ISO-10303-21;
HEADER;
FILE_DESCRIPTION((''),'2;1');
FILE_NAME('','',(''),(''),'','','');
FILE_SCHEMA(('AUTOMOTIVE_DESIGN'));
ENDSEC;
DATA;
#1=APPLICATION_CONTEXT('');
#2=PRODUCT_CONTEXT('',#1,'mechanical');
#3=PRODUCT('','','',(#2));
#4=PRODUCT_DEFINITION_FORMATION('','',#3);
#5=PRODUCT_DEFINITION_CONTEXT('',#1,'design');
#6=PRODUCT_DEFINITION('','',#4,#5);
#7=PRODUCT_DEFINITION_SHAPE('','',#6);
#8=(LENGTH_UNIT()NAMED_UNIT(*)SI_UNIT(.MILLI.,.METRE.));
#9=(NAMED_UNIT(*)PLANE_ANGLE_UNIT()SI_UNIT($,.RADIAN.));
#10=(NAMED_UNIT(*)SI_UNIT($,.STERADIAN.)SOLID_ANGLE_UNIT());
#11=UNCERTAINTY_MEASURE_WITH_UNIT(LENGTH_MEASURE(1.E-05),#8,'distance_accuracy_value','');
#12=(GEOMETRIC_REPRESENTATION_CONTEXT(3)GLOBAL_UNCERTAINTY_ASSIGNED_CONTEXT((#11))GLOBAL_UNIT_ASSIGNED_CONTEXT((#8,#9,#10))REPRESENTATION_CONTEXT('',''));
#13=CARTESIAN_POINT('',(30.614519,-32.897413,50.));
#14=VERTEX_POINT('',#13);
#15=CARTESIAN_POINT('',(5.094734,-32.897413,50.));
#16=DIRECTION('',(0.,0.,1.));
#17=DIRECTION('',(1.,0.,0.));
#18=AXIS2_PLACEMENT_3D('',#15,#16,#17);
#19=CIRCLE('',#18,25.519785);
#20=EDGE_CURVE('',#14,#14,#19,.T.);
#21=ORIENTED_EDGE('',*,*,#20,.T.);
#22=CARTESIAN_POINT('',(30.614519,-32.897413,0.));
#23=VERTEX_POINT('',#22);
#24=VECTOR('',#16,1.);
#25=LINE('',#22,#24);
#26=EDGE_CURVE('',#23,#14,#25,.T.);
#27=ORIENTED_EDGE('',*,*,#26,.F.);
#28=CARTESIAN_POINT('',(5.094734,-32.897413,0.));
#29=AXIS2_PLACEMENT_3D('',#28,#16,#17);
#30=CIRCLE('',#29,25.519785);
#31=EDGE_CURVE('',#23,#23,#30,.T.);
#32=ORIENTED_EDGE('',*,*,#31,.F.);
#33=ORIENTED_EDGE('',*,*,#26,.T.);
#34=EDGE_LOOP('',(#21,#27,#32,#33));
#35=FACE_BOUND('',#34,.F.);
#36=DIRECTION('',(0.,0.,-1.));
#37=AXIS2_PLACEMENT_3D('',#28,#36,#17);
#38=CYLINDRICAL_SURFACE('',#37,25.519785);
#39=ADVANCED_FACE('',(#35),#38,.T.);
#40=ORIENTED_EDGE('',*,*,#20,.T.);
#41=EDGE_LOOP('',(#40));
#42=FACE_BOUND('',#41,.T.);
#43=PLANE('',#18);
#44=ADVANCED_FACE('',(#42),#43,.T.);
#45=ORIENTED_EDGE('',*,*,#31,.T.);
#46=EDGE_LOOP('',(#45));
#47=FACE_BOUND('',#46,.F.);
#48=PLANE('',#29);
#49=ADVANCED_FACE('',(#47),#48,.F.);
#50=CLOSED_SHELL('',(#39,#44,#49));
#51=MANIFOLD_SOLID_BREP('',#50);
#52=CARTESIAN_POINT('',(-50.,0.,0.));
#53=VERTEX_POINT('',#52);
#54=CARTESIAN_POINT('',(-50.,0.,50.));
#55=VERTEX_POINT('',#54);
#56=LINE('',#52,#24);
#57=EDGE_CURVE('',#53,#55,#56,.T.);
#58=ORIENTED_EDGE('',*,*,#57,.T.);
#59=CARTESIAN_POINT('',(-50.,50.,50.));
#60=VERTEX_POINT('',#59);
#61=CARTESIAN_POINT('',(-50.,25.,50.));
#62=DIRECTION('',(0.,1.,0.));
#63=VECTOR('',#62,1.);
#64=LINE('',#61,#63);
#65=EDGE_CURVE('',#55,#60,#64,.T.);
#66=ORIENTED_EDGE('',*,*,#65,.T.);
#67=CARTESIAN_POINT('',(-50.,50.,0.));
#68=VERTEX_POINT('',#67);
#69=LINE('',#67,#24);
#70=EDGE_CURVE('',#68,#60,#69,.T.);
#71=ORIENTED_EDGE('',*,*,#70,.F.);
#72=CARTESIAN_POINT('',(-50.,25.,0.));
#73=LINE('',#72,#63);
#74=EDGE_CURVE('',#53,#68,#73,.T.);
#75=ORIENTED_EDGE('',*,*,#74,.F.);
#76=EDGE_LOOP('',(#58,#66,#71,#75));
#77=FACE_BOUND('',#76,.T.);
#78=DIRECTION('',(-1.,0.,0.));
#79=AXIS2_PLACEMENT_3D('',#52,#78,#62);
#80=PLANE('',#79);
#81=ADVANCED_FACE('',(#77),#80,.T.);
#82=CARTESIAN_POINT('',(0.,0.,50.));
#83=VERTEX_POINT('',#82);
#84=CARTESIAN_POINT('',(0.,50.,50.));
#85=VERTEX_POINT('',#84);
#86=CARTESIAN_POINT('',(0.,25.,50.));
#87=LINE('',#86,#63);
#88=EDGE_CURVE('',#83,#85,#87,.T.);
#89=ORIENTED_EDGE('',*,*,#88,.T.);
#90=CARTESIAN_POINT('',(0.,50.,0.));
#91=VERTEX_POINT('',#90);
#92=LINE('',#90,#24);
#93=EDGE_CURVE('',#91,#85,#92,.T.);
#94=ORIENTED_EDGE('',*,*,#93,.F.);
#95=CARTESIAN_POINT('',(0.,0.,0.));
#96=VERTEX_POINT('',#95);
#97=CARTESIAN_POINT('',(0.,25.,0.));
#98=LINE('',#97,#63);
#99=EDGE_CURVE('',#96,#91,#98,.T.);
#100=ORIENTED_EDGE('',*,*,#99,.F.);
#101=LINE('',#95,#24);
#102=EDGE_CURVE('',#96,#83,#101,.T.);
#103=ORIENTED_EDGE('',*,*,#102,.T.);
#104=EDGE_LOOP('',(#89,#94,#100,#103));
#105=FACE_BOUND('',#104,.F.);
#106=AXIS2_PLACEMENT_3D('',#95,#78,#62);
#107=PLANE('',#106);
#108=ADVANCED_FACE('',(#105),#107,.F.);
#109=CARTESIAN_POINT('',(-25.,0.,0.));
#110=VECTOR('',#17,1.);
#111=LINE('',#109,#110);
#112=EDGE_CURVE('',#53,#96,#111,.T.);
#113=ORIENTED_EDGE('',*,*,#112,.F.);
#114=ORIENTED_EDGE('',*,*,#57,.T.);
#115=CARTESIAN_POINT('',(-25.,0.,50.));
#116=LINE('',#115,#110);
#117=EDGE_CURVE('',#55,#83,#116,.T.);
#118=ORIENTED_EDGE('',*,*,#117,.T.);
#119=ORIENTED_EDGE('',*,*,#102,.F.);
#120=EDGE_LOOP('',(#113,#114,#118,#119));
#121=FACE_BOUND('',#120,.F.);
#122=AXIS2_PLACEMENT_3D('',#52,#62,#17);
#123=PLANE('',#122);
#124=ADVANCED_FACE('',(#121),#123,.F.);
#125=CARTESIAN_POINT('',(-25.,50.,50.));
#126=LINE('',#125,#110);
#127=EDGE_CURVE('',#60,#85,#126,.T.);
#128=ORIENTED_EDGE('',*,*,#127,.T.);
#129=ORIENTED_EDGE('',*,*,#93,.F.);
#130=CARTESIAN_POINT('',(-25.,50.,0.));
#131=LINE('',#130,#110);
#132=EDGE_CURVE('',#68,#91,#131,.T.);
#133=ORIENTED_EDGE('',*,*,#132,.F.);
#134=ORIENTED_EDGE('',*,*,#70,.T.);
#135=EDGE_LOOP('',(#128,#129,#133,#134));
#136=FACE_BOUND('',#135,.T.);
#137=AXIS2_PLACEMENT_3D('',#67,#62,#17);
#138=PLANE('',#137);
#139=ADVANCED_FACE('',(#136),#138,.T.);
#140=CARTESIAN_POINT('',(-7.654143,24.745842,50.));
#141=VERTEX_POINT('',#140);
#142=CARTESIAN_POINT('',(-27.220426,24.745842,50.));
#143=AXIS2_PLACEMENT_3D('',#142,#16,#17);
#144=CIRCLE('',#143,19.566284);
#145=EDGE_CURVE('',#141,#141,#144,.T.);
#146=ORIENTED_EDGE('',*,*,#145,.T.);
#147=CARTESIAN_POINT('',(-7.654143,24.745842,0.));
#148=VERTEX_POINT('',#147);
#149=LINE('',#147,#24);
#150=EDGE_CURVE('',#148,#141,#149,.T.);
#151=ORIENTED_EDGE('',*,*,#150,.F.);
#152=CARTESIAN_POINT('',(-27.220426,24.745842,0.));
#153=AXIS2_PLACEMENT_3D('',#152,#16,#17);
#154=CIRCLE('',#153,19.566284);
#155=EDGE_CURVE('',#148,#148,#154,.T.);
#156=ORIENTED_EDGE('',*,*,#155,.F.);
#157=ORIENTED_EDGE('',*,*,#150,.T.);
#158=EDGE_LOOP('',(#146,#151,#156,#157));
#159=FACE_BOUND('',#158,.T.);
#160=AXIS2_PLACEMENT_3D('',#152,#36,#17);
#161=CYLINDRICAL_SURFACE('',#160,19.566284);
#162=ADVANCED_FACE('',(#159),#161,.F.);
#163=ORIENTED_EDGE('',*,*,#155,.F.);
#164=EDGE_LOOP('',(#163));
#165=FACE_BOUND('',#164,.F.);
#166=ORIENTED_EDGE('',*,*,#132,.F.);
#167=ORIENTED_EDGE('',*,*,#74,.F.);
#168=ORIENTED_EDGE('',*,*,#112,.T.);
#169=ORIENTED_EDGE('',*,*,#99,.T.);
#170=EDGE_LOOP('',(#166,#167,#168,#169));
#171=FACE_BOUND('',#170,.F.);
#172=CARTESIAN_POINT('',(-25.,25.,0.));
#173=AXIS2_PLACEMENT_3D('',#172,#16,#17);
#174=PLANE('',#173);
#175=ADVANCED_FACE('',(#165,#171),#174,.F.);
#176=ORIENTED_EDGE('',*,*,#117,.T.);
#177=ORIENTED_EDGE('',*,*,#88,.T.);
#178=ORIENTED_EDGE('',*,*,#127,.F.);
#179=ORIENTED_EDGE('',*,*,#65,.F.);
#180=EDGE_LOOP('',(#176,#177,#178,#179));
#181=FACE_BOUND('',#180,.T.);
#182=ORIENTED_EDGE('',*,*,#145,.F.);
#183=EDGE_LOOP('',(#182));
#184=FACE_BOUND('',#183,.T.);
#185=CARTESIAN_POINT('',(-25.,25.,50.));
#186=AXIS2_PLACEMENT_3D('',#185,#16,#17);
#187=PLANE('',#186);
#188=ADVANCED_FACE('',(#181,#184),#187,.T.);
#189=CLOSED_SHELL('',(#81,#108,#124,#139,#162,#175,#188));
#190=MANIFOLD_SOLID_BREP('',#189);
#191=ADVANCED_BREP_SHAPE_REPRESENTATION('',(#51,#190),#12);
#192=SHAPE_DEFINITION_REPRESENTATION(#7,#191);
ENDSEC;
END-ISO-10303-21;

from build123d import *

# Parameters (mm, degrees)
F0_W     = 50
F0_H     = 50
F1_DEPTH = 50
F2_R     = 25.5197850682
F3_DEPTH = 50
F4_R     = 14.9130073931
F5_DEPTH = 50
F6_R     = 19.5662835943
F7_DEPTH = 50


with BuildPart() as f1:
    # F0 (on Top) → F1 (new body)
    with BuildSketch(Plane.XY):
        with Locations((-25, 25)):
            Rectangle(F0_W, F0_H)
    extrude(amount=F1_DEPTH)

    # F4 (on Top) → F5 (cut)
    with BuildSketch(Plane.XY):
        with Locations((-28.0938092619, 25.0369701535)):
            Circle(F4_R)
    extrude(amount=-F5_DEPTH, mode=Mode.SUBTRACT)

    # F6 (on Top) → F7 (cut)
    with BuildSketch(Plane.XY):
        with Locations((-27.2204261273, 24.7458424419)):
            Circle(F6_R)
    extrude(amount=F7_DEPTH, mode=Mode.SUBTRACT)


with BuildPart() as f3:
    # F2 (on Top) → F3 (new body)
    with BuildSketch(Plane.XY):
        with Locations((5.0947340205, -32.8974127769)):
            Circle(F2_R)
    extrude(amount=F3_DEPTH)


solid = Compound([f1.part, f3.part])
